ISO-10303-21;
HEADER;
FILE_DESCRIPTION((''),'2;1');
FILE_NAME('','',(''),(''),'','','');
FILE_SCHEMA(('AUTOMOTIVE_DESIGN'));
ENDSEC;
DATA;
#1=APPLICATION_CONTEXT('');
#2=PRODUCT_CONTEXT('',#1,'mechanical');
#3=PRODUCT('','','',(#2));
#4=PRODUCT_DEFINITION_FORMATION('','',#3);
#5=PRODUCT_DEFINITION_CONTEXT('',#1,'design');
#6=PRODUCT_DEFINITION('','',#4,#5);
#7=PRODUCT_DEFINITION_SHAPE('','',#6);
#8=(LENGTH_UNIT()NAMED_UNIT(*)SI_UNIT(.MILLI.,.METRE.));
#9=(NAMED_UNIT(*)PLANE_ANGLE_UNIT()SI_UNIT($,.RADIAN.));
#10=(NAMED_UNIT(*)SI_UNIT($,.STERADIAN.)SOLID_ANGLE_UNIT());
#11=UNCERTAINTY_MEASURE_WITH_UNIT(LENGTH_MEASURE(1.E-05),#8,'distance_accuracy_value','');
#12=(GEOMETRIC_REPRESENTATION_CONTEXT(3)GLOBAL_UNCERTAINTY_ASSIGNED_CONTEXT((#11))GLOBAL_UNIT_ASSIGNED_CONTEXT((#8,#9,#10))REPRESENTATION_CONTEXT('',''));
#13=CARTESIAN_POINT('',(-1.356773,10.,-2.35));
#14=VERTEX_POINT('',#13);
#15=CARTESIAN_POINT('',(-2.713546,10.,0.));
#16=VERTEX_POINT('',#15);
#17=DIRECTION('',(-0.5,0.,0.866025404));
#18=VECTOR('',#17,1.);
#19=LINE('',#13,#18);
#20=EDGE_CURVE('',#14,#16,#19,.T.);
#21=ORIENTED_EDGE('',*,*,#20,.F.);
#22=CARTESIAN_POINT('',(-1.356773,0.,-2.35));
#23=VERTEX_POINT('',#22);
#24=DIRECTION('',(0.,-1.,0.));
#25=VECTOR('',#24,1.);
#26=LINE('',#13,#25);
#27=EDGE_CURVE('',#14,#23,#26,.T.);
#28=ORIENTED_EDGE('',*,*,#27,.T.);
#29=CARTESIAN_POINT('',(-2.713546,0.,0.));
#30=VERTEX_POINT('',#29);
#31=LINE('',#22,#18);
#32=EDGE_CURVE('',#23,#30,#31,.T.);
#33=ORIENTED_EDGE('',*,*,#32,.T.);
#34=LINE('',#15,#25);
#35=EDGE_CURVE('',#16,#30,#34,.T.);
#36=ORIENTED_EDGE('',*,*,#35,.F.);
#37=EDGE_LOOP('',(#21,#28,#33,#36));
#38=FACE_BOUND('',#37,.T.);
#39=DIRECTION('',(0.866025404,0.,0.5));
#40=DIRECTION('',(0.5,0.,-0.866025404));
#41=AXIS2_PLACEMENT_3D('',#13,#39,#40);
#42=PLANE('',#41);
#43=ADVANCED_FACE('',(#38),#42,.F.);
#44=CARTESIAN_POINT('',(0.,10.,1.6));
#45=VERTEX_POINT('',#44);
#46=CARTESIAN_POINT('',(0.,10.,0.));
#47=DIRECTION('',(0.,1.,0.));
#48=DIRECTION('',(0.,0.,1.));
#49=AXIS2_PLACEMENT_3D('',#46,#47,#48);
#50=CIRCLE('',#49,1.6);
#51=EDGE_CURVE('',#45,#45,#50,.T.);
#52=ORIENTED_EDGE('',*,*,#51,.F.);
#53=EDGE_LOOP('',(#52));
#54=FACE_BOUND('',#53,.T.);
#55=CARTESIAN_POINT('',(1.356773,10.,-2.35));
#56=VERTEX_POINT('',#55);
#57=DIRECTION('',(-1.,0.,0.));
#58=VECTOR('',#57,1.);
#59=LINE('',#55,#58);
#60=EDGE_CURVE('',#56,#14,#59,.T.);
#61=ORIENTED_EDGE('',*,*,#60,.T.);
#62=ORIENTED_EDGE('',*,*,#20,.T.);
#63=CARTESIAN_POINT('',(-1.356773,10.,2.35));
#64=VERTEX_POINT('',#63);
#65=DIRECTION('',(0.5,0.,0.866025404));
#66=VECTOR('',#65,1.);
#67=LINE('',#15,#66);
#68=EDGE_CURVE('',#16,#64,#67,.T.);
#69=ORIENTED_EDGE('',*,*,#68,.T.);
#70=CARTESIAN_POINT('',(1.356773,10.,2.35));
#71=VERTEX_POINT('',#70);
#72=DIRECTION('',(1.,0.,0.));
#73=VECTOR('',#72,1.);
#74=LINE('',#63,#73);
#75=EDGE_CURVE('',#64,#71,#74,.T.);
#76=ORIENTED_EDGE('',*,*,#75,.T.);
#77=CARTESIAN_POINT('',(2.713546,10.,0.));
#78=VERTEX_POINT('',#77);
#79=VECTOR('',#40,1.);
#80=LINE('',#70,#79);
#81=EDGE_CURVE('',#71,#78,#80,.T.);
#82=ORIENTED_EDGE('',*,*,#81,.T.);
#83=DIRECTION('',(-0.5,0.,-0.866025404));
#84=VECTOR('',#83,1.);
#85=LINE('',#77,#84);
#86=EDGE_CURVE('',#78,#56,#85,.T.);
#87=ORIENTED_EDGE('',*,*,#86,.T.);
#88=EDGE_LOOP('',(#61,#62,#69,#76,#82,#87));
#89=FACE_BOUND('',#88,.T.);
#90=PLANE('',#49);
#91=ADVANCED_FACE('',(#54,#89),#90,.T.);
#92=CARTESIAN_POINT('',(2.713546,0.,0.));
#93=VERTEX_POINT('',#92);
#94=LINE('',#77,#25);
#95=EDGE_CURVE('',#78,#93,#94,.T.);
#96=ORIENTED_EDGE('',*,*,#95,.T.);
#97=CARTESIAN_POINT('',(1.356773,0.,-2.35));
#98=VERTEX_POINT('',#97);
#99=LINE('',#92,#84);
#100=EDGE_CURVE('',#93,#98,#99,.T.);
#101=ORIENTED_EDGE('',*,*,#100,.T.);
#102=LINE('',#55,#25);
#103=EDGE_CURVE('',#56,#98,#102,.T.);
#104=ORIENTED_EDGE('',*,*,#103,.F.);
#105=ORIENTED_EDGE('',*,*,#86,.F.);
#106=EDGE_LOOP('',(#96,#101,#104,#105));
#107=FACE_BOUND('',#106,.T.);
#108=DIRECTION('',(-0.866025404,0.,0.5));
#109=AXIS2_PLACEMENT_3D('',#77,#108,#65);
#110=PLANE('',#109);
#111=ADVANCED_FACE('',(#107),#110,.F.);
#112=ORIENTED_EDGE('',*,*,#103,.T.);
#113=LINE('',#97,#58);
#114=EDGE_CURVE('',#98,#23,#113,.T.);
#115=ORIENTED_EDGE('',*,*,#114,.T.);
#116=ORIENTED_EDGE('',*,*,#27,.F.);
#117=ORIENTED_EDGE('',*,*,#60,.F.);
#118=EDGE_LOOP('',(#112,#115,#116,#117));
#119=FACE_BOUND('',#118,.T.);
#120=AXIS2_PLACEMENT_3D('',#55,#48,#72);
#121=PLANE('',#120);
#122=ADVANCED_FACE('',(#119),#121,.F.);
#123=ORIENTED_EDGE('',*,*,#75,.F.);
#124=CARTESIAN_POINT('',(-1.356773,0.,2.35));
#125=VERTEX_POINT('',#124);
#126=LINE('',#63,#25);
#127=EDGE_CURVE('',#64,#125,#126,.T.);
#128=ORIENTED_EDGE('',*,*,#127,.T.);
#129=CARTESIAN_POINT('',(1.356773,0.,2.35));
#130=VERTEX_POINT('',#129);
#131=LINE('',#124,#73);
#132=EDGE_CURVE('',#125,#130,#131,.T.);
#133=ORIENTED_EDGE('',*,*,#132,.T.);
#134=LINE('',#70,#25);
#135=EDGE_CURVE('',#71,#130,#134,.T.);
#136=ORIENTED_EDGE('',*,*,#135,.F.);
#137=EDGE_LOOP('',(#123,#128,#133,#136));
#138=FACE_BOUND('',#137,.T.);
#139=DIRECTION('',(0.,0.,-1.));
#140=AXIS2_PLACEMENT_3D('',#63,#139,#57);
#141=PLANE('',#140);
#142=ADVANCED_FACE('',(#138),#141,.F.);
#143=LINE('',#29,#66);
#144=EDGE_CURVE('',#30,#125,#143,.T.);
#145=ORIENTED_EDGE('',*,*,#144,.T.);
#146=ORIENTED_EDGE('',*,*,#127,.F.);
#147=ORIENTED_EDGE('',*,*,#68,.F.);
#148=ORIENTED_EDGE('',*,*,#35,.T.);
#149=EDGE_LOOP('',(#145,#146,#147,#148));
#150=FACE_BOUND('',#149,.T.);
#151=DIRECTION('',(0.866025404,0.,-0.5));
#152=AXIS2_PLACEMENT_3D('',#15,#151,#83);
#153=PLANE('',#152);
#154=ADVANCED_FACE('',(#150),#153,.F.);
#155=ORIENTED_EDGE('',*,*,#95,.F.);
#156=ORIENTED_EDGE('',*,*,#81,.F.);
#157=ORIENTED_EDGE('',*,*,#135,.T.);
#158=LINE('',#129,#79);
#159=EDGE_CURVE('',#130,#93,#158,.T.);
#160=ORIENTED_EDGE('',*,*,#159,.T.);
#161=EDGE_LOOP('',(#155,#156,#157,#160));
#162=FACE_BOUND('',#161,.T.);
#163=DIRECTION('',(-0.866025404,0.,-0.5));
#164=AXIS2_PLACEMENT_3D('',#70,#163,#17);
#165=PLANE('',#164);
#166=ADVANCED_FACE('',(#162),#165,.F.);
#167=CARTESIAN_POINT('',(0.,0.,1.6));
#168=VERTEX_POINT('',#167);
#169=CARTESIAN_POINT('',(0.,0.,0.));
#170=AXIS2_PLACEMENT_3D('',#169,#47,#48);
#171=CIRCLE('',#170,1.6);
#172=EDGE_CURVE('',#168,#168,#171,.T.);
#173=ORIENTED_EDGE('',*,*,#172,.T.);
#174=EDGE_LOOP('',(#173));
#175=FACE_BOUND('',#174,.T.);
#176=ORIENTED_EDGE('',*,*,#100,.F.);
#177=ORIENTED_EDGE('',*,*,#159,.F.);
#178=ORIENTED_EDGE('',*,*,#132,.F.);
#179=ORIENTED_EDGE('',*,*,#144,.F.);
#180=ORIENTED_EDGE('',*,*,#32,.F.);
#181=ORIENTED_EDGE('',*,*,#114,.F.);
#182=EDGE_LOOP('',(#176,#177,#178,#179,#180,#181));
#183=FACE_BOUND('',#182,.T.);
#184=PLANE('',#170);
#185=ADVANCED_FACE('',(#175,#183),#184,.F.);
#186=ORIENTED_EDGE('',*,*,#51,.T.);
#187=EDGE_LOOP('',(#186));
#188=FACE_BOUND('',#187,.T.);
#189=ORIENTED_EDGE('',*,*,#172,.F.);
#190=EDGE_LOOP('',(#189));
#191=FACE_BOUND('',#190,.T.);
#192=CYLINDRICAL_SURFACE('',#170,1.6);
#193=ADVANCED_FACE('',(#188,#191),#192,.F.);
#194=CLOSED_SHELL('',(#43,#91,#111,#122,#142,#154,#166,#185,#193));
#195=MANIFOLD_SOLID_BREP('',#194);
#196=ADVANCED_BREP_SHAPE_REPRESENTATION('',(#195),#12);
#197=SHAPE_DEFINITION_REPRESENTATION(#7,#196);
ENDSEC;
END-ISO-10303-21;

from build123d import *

# Parameters (mm, degrees)
EXTRUDE_1_DEPTH     = 10
SKETCH_2_R          = 1.6
CUT_EXTRUDE_1_DEPTH = 11


with BuildPart() as part:
    # 草图1 → 凸台-拉伸1 (new body)
    with BuildSketch(Plane(origin=(0, 0, 0), x_dir=(1, 0, 0), z_dir=(0, 1, 0))):
        Polygon((2.713546265, 0), (1.356773133, 2.35), (-1.356773133, 2.35), (-2.713546265, 0), (-1.356773133, -2.35), (1.356773133, -2.35), align=None)
    extrude(amount=EXTRUDE_1_DEPTH)

    # 草图2 → 切除-拉伸1 (cut, through all)
    with BuildSketch(Plane(origin=(0, 10, 0), x_dir=(1, 0, 0), z_dir=(0, 1, 0))):
        Circle(SKETCH_2_R)
    extrude(amount=-CUT_EXTRUDE_1_DEPTH, mode=Mode.SUBTRACT)


solid = part.part
